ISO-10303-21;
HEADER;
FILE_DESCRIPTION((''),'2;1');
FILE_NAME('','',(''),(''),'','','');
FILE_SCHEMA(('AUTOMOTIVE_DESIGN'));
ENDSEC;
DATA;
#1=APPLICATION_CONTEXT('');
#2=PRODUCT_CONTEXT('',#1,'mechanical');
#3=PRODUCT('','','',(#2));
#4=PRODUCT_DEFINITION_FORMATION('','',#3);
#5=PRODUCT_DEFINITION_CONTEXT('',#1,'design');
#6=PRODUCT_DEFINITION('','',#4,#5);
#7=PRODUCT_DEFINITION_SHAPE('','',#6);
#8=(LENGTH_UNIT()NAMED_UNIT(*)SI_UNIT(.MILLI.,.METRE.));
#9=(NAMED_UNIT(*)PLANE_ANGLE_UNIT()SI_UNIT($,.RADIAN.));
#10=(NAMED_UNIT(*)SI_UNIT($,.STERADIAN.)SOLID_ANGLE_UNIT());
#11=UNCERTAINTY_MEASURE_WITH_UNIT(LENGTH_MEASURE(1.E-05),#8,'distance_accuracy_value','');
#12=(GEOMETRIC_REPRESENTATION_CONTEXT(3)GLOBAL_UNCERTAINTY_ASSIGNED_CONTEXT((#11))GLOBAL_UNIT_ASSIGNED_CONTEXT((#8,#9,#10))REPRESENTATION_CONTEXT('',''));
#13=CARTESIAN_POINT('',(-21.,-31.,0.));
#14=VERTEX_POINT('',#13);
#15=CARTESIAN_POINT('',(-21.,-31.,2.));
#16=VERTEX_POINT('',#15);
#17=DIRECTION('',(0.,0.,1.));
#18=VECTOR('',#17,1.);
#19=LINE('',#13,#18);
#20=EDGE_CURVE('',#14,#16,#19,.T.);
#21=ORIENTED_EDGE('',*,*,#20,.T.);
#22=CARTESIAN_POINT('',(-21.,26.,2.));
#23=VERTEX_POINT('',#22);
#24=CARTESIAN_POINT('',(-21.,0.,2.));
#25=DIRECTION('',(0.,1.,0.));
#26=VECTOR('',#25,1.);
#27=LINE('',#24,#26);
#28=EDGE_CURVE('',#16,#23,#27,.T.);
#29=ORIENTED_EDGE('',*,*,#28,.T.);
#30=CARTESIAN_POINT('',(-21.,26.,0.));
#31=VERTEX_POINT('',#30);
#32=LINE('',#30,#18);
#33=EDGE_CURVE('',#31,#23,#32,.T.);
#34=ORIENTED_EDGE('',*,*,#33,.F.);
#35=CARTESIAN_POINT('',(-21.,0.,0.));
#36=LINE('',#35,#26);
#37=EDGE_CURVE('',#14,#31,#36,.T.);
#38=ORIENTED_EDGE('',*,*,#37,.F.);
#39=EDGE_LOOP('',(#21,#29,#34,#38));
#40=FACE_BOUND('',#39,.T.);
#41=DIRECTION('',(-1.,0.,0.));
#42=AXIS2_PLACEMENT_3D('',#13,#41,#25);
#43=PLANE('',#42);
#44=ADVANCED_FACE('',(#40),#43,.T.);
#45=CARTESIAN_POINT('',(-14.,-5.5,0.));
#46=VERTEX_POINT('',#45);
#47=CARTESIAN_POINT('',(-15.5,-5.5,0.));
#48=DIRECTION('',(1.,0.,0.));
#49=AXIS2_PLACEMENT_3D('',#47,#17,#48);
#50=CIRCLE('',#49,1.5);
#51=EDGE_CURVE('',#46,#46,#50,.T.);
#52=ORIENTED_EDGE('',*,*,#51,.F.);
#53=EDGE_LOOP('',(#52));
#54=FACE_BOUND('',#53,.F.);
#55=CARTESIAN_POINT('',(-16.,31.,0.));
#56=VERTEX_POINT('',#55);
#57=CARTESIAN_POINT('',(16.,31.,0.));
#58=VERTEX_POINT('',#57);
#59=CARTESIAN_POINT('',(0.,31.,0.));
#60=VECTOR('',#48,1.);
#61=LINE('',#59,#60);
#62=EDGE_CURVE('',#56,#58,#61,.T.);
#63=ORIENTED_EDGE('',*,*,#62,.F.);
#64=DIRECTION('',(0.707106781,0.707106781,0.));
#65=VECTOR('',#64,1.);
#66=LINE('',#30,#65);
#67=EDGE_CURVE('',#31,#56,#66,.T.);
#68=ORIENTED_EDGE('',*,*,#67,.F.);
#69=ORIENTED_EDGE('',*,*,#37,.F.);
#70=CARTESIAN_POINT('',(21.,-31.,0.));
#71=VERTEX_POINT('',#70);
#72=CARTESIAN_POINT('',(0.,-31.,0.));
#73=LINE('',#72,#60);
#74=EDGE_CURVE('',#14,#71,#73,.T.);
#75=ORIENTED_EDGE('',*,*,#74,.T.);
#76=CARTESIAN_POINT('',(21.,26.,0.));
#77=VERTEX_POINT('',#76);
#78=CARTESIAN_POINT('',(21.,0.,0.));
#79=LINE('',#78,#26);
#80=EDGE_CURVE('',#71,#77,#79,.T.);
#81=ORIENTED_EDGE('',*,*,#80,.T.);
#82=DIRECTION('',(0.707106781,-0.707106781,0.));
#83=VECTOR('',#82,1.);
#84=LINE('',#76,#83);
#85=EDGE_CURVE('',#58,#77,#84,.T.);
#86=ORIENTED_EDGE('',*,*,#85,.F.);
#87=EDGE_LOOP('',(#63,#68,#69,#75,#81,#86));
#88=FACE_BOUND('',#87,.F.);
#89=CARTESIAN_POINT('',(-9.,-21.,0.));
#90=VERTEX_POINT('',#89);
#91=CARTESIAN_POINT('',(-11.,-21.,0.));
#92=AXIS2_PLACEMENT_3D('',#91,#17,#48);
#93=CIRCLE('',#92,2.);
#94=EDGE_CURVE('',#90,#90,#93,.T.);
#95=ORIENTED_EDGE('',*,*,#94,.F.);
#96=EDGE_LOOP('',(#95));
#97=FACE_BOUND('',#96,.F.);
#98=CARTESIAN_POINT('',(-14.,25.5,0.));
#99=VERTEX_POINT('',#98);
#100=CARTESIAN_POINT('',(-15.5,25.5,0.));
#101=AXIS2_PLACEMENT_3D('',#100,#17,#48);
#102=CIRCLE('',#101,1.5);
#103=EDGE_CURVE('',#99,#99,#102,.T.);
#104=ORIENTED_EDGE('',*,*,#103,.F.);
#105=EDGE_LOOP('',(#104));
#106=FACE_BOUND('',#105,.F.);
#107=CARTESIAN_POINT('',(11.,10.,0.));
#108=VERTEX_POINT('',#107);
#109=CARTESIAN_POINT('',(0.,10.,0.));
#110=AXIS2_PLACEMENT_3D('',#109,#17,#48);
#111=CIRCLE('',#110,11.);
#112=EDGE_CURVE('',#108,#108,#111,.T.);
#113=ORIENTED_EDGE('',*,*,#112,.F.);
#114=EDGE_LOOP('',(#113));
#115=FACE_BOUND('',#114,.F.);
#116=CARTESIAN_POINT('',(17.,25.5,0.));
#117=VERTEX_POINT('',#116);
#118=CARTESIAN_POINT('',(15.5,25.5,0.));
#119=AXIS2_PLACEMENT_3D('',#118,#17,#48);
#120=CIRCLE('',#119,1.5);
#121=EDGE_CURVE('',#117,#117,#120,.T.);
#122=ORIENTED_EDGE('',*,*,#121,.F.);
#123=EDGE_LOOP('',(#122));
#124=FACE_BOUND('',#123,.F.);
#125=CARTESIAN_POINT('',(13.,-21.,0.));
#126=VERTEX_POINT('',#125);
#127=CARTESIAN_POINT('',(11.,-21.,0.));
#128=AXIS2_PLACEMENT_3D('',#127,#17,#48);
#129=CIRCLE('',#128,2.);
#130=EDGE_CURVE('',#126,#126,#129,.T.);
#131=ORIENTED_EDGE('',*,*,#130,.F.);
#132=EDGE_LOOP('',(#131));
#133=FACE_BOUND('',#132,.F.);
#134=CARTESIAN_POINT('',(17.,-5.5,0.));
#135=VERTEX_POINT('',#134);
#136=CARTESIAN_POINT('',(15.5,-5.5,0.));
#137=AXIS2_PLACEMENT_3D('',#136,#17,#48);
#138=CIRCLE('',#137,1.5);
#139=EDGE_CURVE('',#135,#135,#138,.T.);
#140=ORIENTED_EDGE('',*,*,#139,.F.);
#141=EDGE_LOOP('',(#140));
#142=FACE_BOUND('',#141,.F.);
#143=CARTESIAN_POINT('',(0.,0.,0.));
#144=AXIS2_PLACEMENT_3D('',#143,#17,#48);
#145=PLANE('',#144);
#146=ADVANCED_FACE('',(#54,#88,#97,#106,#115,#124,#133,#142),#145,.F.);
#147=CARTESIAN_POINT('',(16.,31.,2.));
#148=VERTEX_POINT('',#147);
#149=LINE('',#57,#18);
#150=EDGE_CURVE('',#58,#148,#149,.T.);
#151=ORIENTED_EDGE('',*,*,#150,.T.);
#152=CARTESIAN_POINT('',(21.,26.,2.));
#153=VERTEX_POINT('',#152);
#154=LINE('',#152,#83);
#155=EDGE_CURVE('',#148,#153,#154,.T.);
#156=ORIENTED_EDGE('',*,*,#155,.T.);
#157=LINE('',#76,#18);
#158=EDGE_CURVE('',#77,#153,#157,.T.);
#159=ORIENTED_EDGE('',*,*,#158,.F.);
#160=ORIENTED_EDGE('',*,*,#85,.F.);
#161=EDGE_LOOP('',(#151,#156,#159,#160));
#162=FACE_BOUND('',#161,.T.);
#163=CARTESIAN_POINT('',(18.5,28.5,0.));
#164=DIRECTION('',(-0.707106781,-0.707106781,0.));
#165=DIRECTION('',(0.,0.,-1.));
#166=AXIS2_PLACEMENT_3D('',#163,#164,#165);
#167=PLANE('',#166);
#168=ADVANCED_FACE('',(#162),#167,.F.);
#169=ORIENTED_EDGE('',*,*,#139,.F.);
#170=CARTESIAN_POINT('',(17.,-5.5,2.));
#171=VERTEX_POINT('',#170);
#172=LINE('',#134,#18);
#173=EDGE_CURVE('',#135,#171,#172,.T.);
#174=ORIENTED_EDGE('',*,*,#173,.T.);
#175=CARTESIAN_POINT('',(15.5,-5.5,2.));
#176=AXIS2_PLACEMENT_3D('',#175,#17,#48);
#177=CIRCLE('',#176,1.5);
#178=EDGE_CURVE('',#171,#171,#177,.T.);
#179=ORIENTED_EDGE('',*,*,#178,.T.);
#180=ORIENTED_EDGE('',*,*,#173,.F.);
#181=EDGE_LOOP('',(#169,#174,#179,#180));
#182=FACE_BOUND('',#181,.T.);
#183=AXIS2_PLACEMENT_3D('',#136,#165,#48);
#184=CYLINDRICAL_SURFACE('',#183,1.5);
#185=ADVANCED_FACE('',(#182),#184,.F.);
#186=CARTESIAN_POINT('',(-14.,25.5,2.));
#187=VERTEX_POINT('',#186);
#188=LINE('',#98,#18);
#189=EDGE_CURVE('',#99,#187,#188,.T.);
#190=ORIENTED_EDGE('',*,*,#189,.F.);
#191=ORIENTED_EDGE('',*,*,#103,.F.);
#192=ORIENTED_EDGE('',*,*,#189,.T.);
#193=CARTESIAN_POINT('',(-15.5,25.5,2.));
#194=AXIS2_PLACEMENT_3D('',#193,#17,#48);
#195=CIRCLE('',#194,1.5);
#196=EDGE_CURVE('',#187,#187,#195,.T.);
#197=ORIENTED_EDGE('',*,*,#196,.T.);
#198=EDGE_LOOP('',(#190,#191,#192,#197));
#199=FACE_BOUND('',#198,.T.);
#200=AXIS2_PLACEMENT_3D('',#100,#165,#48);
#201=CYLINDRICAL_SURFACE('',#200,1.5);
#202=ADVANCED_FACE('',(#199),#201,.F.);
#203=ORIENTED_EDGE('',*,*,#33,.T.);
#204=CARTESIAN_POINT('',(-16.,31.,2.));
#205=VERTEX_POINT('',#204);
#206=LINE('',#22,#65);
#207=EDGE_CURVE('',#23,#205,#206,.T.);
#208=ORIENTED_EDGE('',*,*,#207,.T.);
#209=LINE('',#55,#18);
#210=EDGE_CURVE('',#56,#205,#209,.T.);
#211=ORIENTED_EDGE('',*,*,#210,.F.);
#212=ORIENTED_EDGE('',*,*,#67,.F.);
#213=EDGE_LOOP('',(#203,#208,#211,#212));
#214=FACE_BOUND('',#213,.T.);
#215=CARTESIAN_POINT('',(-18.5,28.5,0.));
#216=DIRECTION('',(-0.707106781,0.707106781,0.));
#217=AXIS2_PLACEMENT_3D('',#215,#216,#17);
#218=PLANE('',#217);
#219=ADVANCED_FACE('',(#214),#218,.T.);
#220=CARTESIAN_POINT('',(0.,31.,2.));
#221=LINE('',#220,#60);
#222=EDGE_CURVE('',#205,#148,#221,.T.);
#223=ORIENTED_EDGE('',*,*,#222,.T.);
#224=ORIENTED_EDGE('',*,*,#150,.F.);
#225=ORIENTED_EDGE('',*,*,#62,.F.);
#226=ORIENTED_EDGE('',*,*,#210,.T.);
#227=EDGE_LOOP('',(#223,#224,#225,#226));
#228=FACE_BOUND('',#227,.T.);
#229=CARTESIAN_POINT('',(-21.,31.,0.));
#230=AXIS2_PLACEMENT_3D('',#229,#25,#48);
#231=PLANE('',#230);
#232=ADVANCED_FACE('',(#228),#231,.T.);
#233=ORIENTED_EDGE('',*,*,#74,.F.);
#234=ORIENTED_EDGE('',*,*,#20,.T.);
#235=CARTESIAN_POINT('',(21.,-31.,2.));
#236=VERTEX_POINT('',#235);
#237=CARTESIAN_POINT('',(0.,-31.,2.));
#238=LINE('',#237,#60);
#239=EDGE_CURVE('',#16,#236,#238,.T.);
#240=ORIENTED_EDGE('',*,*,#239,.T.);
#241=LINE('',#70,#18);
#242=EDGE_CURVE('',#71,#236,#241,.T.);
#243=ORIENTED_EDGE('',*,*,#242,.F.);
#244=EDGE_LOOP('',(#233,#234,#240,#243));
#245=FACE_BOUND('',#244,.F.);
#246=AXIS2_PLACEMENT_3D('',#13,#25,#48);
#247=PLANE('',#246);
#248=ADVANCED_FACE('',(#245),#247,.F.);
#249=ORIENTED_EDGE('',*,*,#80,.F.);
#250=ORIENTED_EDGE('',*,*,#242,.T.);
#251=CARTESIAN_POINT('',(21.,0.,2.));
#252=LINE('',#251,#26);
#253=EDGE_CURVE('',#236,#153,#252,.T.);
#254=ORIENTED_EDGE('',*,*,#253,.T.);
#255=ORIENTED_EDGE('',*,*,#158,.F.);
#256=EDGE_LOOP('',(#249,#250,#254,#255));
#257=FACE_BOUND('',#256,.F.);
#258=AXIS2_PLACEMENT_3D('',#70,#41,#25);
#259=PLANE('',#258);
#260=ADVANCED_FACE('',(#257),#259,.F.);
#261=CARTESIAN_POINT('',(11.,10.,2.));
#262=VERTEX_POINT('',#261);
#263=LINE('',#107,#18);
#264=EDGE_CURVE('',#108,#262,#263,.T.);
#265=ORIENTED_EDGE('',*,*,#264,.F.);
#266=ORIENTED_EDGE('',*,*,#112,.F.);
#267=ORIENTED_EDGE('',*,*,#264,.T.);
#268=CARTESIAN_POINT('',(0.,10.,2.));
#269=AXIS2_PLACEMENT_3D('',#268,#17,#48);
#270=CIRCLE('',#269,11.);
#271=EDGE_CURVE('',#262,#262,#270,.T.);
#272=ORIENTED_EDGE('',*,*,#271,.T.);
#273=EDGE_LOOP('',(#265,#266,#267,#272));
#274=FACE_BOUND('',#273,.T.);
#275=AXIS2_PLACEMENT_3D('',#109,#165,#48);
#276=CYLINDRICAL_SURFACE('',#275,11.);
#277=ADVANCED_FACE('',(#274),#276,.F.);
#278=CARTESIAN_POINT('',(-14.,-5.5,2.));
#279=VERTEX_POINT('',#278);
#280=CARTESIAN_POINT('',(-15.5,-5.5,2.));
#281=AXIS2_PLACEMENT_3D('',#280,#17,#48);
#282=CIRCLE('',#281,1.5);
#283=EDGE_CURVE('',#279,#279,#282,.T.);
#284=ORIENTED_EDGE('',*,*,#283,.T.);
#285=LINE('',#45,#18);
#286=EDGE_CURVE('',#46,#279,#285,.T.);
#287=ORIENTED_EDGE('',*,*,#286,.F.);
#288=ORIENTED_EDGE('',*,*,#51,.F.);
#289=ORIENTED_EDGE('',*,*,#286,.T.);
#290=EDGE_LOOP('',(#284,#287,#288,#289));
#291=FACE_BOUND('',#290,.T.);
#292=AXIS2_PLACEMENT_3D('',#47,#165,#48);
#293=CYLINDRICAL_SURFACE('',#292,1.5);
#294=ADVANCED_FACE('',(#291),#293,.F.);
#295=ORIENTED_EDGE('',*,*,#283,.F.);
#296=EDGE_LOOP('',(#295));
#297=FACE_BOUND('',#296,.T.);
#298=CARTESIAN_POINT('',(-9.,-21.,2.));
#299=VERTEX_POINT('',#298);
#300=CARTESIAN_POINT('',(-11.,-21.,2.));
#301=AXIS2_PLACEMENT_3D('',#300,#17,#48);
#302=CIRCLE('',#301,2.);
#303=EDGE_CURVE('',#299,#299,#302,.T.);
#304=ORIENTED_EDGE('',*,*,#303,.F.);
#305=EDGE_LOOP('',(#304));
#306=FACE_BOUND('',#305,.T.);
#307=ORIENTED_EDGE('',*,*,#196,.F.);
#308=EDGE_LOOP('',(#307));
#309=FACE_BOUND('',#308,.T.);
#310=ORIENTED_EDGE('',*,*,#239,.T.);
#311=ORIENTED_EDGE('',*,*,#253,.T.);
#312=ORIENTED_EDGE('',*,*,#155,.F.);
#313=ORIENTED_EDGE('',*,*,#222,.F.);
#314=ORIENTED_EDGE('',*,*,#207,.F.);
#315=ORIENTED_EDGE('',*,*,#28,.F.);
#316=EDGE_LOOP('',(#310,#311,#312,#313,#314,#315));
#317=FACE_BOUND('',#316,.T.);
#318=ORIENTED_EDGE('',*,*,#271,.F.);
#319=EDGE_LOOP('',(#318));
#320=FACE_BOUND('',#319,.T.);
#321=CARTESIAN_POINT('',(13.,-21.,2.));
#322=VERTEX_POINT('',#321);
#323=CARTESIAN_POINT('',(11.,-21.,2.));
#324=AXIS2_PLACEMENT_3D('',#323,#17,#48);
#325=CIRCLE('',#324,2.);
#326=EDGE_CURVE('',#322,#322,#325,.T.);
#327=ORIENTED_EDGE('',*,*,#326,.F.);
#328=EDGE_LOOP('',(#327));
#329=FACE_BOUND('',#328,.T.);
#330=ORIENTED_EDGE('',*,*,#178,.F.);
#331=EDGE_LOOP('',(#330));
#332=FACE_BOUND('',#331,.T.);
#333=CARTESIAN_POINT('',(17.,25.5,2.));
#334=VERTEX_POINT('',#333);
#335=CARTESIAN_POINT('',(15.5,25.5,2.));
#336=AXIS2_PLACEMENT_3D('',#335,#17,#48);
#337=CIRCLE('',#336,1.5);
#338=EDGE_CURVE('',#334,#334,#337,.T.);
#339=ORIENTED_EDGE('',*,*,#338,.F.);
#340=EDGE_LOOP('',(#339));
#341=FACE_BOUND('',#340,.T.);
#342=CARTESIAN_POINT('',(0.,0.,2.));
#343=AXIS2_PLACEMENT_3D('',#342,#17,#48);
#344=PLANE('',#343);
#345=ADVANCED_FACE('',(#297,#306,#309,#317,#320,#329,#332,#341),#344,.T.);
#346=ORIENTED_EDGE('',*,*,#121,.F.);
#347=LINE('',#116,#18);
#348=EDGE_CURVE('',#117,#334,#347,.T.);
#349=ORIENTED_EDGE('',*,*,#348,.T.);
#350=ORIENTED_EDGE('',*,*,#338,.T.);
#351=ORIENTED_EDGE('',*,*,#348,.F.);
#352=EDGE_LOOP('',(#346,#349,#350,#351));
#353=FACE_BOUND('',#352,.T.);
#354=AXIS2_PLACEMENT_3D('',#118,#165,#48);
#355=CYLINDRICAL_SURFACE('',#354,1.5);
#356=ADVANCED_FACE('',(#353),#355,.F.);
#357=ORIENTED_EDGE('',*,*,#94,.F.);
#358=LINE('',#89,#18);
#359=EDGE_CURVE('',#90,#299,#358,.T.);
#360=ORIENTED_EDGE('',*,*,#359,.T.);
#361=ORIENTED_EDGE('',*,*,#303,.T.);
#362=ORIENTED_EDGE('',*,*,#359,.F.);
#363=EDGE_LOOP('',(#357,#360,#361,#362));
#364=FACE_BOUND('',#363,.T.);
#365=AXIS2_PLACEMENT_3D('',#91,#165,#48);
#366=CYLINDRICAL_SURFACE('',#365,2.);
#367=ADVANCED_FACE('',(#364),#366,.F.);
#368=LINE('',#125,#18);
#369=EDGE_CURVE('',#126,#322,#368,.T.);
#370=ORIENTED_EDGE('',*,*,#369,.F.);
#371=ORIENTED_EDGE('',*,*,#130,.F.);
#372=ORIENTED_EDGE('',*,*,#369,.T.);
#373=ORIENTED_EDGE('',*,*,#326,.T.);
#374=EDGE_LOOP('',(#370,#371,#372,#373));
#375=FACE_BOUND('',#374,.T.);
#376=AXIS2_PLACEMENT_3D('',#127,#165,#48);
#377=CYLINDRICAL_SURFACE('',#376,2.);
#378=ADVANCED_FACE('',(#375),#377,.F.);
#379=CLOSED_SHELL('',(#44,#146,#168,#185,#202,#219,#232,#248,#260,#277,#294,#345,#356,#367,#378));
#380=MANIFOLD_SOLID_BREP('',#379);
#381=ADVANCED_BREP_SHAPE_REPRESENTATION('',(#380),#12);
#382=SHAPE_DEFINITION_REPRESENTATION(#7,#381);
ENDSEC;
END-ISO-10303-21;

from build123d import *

# Parameters (mm, degrees)
F0_W     = 42
F0_H     = 62
F0_R     = 2
F0_R_2   = 1.5
F0_R_3   = 11
F1_DEPTH = 2
F2_SIZE  = 5


with BuildPart() as f1:
    # F0 (on Top) → F1 (new body)
    with BuildSketch(Plane.XY):
        Rectangle(F0_W, F0_H)
        with Locations((-11, -21)):
            Circle(F0_R, mode=Mode.SUBTRACT)
        with Locations((-15.5, -5.5)):
            Circle(F0_R_2, mode=Mode.SUBTRACT)
        with Locations((11, -21)):
            Circle(F0_R, mode=Mode.SUBTRACT)
        with Locations((15.5, -5.5)):
            Circle(F0_R_2, mode=Mode.SUBTRACT)
        with Locations((-15.5, 25.5)):
            Circle(F0_R_2, mode=Mode.SUBTRACT)
        with Locations((0, 10)):
            Circle(F0_R_3, mode=Mode.SUBTRACT)
        with Locations((15.5, 25.5)):
            Circle(F0_R_2, mode=Mode.SUBTRACT)
    extrude(amount=F1_DEPTH)

    # F2
    f2_edges = [f1.edges().sort_by_distance(p)[0] for p in [
        (21, 31, 1),
        (-21, 31, 1),
    ]]
    chamfer(f2_edges, length=F2_SIZE)


solid = f1.part
